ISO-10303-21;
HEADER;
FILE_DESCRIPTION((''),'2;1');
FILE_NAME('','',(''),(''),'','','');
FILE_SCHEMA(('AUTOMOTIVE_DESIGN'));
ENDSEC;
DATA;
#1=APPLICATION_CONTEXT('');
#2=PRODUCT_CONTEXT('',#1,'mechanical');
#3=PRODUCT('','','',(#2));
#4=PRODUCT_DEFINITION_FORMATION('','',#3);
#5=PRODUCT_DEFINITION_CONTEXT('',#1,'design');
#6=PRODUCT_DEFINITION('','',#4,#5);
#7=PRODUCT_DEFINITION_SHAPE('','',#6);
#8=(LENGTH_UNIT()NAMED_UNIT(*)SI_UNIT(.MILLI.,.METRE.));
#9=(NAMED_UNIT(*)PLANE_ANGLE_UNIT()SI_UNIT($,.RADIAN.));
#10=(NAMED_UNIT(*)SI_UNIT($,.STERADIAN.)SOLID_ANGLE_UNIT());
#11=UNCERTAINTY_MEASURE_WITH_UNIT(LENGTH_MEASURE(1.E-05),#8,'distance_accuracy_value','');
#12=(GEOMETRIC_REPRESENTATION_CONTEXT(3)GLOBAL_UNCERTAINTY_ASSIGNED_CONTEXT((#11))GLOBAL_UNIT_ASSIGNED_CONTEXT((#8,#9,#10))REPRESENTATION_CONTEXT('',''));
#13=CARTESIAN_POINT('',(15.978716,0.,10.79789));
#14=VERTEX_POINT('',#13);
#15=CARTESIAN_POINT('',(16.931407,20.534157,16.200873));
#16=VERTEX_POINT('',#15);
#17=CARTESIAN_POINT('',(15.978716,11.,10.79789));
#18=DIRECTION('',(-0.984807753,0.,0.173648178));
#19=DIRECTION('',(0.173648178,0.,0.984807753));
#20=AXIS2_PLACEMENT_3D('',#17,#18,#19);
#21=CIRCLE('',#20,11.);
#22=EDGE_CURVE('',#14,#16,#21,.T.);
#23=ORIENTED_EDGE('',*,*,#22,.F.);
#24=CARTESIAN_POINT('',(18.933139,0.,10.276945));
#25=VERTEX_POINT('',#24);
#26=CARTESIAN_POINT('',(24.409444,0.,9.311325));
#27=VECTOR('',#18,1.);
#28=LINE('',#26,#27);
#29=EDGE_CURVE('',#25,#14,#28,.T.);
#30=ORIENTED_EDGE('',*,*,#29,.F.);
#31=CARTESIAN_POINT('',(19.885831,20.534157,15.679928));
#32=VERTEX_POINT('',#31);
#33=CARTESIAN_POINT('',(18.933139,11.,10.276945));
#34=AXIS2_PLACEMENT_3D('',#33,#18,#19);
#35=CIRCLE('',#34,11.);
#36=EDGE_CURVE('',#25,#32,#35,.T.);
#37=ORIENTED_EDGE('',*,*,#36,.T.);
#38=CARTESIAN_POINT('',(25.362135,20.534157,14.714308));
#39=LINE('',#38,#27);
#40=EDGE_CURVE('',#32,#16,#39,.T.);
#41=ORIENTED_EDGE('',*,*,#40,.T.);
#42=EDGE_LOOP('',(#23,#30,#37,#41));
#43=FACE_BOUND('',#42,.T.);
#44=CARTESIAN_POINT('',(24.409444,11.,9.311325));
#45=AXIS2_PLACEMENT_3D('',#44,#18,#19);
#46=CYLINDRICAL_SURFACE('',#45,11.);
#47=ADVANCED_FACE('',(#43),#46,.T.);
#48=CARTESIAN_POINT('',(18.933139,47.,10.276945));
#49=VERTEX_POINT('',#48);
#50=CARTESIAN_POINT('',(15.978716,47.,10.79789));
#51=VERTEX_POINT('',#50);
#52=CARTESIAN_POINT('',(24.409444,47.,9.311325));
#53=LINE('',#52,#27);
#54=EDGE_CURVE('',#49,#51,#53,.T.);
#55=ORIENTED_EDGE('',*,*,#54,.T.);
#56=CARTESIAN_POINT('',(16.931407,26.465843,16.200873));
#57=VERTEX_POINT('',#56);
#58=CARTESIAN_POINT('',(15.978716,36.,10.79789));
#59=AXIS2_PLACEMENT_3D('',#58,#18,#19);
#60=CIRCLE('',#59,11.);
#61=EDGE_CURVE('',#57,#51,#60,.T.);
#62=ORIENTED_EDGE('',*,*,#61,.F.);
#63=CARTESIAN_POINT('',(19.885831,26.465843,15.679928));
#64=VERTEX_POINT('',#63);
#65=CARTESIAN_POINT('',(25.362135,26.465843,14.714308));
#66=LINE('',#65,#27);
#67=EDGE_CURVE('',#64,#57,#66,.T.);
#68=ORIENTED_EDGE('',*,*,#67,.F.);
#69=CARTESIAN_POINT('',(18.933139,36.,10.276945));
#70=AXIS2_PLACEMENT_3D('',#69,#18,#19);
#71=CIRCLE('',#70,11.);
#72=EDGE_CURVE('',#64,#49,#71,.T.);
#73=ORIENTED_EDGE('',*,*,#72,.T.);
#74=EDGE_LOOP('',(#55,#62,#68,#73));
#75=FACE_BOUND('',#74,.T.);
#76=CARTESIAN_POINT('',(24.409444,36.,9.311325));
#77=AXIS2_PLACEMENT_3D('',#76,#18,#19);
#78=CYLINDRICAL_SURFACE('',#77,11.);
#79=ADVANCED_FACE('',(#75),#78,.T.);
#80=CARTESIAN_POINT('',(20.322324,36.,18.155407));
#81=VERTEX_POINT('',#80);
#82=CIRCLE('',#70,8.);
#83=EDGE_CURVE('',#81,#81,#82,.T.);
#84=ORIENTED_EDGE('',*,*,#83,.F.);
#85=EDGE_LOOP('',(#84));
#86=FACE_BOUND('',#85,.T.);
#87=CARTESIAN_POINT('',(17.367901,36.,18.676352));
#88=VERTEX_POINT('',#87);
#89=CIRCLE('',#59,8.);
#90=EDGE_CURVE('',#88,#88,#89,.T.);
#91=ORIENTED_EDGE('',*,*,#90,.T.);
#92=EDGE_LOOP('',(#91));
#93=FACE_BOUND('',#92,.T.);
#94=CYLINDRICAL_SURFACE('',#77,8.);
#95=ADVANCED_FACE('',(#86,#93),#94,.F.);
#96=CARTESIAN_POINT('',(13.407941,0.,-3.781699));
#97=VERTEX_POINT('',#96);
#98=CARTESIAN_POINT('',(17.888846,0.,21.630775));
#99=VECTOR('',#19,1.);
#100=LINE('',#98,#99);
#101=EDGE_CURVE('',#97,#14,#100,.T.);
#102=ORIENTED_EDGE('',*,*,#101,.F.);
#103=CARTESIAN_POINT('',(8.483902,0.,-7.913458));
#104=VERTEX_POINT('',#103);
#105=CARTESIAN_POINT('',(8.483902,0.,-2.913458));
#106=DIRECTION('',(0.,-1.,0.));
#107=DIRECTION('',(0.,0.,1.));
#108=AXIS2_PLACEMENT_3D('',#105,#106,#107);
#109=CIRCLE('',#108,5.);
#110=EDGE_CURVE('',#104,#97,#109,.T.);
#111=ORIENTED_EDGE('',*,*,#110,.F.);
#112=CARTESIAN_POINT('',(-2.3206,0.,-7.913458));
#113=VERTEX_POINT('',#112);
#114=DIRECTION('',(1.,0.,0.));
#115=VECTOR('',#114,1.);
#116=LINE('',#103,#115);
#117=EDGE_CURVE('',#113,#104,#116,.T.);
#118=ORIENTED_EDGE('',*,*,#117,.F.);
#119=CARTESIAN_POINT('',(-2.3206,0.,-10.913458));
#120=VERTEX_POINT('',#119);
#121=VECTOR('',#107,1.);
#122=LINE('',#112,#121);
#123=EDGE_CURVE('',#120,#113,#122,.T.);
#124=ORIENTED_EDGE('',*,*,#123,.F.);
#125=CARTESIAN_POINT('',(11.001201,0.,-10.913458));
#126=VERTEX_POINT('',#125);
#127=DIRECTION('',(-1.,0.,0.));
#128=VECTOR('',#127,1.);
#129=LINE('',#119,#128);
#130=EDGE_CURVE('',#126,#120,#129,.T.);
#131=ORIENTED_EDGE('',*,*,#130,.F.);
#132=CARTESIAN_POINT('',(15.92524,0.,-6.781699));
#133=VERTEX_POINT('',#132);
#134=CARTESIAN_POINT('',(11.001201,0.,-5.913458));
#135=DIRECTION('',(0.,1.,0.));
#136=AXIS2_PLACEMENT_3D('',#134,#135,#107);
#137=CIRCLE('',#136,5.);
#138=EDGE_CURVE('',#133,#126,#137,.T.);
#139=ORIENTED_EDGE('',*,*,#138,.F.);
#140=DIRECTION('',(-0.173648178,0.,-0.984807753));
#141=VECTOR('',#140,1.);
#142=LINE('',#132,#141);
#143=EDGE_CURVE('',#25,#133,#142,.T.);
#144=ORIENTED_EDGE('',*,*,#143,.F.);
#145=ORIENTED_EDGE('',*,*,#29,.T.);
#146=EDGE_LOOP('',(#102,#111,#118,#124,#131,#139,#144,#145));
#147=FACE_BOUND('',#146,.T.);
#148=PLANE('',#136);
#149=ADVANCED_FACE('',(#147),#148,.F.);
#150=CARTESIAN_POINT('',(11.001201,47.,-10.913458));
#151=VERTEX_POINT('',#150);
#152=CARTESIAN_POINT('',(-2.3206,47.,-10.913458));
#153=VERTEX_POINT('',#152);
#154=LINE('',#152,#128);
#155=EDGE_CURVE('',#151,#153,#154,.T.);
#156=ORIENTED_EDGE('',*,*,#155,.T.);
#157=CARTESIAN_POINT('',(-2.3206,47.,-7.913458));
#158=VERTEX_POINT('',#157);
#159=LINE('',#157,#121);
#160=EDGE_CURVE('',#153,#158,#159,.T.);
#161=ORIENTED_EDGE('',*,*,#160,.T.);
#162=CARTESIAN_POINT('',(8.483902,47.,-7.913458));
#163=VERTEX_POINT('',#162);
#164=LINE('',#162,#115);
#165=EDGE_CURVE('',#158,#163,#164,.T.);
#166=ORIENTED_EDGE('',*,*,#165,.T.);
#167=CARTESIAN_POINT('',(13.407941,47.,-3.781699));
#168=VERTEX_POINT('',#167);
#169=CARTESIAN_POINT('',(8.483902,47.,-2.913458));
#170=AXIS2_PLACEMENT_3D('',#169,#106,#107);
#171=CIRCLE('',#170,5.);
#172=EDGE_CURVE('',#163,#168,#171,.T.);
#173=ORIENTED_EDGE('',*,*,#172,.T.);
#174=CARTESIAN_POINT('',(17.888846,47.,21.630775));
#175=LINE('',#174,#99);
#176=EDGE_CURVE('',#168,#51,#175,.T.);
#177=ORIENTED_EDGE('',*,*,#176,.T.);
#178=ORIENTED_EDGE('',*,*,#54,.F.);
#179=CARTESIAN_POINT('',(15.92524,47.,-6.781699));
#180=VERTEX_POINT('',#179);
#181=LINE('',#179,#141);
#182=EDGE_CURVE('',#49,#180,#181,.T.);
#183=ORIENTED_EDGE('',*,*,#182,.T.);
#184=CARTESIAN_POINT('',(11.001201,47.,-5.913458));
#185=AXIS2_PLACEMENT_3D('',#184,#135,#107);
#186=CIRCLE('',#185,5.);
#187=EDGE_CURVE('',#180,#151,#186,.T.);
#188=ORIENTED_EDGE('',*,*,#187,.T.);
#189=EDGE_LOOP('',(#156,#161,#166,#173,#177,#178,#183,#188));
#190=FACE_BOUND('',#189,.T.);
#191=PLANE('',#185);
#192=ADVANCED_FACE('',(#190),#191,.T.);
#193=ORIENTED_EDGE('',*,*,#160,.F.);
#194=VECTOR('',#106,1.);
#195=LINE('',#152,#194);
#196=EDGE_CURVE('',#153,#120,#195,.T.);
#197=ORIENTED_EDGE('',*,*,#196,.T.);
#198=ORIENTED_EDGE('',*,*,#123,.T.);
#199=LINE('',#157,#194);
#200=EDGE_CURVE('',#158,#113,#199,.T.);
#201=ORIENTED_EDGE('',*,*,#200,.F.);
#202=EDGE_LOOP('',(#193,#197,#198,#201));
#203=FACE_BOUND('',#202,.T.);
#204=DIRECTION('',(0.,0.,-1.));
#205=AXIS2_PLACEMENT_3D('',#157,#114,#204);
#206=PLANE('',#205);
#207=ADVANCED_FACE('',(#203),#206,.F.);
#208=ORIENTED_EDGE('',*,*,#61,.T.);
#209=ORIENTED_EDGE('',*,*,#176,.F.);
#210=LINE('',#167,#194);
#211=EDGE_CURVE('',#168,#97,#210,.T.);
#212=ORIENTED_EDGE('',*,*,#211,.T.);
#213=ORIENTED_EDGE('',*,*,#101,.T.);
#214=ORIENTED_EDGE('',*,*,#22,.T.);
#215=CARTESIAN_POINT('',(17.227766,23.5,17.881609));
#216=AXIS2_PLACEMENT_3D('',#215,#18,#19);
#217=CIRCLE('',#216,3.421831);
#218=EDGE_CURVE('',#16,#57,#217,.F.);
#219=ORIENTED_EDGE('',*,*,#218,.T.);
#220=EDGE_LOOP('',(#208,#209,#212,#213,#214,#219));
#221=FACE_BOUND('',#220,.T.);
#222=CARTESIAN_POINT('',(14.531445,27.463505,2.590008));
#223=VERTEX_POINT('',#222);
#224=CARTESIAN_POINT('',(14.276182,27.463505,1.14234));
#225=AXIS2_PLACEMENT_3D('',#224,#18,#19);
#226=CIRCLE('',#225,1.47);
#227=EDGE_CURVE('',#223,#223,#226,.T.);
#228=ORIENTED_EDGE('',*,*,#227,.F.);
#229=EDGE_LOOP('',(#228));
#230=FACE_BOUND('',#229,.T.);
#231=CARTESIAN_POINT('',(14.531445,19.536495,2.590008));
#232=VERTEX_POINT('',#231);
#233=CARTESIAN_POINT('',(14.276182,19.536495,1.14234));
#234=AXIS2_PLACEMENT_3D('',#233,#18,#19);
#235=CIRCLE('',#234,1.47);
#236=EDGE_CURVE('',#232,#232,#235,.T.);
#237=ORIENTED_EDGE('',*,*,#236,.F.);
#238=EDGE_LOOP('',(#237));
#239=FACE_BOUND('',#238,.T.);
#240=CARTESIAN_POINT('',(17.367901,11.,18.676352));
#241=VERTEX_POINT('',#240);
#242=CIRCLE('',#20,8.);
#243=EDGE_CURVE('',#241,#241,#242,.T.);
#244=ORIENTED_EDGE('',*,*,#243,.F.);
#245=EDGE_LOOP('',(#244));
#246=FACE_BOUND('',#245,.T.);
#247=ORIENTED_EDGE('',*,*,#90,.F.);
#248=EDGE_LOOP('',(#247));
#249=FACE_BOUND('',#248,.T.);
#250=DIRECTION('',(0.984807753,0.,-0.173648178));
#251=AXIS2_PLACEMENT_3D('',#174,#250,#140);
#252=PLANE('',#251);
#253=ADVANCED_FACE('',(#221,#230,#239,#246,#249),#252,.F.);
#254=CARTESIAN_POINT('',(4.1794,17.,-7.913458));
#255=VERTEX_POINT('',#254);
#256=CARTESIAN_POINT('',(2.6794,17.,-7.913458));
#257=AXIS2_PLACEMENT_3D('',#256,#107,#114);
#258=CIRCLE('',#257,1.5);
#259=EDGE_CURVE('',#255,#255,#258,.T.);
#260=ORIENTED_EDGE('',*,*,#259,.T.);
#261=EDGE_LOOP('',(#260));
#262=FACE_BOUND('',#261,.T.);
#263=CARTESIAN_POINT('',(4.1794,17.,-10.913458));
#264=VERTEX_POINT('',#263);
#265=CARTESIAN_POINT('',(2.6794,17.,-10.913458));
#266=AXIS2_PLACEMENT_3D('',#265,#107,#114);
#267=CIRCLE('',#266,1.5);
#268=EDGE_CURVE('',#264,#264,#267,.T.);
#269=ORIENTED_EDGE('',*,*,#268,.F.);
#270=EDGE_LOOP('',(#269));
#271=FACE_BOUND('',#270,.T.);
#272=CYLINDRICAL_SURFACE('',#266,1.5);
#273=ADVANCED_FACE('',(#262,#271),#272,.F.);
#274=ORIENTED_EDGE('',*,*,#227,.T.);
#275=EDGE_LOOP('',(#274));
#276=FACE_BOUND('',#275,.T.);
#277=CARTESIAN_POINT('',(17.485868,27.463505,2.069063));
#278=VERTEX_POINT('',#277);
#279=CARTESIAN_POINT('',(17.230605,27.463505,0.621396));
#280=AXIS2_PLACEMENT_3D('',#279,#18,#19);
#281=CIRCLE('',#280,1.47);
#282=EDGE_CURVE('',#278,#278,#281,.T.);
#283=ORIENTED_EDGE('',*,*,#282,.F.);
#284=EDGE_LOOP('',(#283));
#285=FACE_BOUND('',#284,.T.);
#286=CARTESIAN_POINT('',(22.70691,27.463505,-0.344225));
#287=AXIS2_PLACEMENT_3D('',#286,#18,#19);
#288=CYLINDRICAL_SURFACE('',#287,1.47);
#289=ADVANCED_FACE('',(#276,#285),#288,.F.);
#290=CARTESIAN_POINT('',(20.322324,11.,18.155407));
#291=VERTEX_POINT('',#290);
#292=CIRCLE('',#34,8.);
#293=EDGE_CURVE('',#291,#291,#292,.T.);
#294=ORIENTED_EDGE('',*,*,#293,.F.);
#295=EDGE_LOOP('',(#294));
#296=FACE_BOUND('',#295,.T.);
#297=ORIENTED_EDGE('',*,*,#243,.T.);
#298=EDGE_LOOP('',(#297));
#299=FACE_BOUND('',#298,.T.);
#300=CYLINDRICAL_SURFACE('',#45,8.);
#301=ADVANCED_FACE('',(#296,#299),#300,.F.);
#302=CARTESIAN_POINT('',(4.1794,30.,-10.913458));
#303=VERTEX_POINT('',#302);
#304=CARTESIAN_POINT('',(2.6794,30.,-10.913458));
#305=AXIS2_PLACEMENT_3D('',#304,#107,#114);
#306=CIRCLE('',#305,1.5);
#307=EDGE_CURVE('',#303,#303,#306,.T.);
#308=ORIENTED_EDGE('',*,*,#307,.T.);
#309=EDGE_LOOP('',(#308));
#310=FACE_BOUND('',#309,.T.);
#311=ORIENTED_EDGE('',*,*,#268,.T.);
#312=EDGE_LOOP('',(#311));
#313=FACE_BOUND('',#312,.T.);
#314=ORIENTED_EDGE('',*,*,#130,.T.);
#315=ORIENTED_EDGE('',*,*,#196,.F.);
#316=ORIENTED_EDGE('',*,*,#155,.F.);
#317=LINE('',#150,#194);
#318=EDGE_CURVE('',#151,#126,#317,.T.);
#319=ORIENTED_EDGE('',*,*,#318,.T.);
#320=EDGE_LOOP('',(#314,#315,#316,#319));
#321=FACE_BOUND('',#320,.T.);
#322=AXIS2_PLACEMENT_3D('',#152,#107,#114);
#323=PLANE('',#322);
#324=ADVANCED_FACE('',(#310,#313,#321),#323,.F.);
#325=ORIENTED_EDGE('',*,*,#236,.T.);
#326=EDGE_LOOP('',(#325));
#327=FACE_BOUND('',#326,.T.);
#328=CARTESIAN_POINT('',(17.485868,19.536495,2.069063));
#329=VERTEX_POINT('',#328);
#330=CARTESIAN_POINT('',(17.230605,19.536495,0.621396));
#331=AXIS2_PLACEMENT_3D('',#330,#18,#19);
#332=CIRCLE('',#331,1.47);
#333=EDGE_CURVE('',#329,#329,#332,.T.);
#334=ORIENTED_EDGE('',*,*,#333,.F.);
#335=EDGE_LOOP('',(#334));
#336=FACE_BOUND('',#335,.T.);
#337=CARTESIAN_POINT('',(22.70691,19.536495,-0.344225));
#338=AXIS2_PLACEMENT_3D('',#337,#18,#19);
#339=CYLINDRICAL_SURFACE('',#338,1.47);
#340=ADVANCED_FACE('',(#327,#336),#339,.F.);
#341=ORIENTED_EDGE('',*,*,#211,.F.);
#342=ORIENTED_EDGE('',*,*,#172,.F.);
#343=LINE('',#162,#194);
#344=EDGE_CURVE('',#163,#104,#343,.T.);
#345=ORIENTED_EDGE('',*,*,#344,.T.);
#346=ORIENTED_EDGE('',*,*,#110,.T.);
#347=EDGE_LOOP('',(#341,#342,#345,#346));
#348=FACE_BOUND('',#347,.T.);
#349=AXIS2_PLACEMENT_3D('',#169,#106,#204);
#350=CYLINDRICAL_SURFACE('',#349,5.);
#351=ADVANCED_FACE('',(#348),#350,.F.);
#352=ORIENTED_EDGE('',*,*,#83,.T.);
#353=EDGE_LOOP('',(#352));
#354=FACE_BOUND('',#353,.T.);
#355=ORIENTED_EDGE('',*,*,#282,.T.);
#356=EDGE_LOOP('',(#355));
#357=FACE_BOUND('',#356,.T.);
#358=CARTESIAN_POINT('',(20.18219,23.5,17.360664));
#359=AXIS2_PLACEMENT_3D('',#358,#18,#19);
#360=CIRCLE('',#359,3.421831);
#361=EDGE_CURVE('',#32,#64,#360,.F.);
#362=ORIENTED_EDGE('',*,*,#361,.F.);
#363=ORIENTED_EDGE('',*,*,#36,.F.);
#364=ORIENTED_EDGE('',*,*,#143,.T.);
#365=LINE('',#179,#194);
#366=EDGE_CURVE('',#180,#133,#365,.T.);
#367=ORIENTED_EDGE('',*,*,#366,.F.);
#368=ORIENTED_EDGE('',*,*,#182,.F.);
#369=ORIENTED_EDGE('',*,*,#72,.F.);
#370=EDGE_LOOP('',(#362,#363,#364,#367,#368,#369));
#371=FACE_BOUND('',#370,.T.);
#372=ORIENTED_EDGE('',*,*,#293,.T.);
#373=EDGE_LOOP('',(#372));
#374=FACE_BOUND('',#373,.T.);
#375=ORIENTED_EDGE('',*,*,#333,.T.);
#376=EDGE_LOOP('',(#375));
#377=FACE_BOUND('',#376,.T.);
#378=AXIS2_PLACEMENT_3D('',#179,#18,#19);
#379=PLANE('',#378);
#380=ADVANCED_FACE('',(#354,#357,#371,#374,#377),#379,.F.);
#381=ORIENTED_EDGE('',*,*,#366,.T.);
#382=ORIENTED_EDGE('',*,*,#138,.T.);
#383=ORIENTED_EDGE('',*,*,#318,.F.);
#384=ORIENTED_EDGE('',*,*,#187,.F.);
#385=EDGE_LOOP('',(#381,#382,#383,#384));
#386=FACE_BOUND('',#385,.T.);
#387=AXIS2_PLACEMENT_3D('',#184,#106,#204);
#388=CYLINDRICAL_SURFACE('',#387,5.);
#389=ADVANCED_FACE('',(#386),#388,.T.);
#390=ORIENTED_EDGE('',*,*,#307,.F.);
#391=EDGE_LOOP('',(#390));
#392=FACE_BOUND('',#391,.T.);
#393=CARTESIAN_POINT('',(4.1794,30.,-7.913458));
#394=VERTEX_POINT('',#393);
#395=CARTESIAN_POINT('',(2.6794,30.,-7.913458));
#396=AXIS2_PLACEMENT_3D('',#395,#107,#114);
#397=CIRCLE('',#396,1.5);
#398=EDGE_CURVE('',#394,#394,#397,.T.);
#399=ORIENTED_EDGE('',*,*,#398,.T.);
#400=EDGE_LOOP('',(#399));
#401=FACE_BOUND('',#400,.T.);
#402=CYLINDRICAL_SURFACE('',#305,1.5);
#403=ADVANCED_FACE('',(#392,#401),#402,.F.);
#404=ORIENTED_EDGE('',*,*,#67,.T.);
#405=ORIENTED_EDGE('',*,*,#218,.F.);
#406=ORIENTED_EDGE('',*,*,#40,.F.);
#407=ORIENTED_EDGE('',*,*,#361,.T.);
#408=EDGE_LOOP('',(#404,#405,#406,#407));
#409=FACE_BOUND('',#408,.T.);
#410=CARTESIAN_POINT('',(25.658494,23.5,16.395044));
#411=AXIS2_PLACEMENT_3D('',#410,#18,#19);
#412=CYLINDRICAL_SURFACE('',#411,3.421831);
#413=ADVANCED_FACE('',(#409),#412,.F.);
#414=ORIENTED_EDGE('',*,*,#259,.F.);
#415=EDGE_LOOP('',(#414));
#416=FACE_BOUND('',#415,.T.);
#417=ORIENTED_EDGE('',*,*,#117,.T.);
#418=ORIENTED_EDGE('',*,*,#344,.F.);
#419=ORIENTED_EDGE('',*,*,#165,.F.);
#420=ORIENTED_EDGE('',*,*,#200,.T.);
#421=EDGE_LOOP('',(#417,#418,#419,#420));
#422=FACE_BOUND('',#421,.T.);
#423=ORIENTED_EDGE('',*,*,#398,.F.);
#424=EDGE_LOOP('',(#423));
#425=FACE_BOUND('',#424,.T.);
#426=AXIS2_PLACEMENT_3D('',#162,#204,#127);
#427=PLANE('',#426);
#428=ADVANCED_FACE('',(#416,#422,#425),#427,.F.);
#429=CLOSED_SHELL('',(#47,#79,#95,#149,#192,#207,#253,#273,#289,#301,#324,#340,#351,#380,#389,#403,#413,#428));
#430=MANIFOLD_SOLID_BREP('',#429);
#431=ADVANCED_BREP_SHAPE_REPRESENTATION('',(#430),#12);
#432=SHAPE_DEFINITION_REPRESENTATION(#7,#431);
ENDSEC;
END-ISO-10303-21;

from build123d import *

# Parameters (mm, degrees)
BOSS_EXTRUDE1_DEPTH = 47
SKETCH2_R           = 1.5
CUT_EXTRUDE1_DEPTH  = 4
SKETCH3_R           = 8
CUT_EXTRUDE2_DEPTH  = 9.560785614
SKETCH4_R           = 1.47
CUT_EXTRUDE3_DEPTH  = 9.560785614


with BuildPart() as part:
    # Sketch1 → Boss-Extrude1 (new body)
    with BuildSketch(Plane(origin=(0, 0, 0), x_dir=(1, 0, 0), z_dir=(0, 1, 0))):
        with BuildLine():
            Line((-2.32059976, 10.913457617), (11.001200978, 10.913457617))
            ThreePointArc((11.001200978, 10.913457617), (14.215139026, 9.743679833), (15.925239743, 6.781698506))
            Line((15.925239743, 6.781698506), (20.843268829, -21.10983044))
            Line((20.843268829, -21.10983044), (17.88884557, -21.630774973))
            Line((17.88884557, -21.630774973), (13.407940849, 3.781698506))
            ThreePointArc((13.407940849, 3.781698506), (11.697840132, 6.743679833), (8.483902084, 7.913457617))
            Line((8.483902084, 7.913457617), (-2.32059976, 7.913457617))
            Line((-2.32059976, 7.913457617), (-2.32059976, 10.913457617))
        make_face()
    extrude(amount=BOSS_EXTRUDE1_DEPTH)

    # Sketch2 → Cut-Extrude1 (cut, through all)
    with BuildSketch(Plane.XY.offset(-7.913457617)):
        with Locations((2.67940024, 30)):
            Circle(SKETCH2_R)
        with Locations((2.67940024, 17)):
            Circle(SKETCH2_R)
    extrude(amount=-CUT_EXTRUDE1_DEPTH, mode=Mode.SUBTRACT)

    # Sketch3 → Cut-Extrude2 (cut, through all)
    with BuildSketch(Plane(origin=(13.650350495, 0, -2.406925088), x_dir=(0.173648178, 0, 0.984807753), z_dir=(-0.984807753, 0, 0.173648178))):
        with BuildLine():
            Line((24.408520331, 47), (13.408520331, 47))
            ThreePointArc((13.408520331, 47), (21.186694924, 43.778174593), (24.408520331, 36))
            Line((24.408520331, 36), (24.408520331, 47))
        make_face()
        with BuildLine():
            Line((24.408520331, 0), (24.408520331, 11))
            ThreePointArc((24.408520331, 11), (21.186694924, 3.221825407), (13.408520331, 0))
            Line((13.408520331, 0), (24.408520331, 0))
        make_face()
        with Locations((13.408520331, 11)):
            Circle(SKETCH3_R)
        with Locations((13.408520331, 36)):
            Circle(SKETCH3_R)
        with BuildLine():
            Line((24.408520331, 11), (24.408520331, 36))
            ThreePointArc((24.408520331, 36), (22.930853605, 30.493170692), (18.894853235, 26.465842918))
            ThreePointArc((18.894853235, 26.465842918), (17.17968635, 23.5), (18.894853235, 20.534157082))
            ThreePointArc((18.894853235, 20.534157082), (22.930853605, 16.506829308), (24.408520331, 11))
        make_face()
    extrude(amount=-CUT_EXTRUDE2_DEPTH, mode=Mode.SUBTRACT)

    # Sketch4 → Cut-Extrude3 (cut, through all)
    with BuildSketch(Plane(origin=(13.650350495, 0, -2.406925088), x_dir=(0.173648178, 0, 0.984807753), z_dir=(-0.984807753, 0, 0.173648178))):
        with Locations((3.604018487, 27.463505193)):
            Circle(SKETCH4_R)
        with Locations((3.604018487, 19.536494807)):
            Circle(SKETCH4_R)
    extrude(amount=-CUT_EXTRUDE3_DEPTH, mode=Mode.SUBTRACT)


solid = part.part
